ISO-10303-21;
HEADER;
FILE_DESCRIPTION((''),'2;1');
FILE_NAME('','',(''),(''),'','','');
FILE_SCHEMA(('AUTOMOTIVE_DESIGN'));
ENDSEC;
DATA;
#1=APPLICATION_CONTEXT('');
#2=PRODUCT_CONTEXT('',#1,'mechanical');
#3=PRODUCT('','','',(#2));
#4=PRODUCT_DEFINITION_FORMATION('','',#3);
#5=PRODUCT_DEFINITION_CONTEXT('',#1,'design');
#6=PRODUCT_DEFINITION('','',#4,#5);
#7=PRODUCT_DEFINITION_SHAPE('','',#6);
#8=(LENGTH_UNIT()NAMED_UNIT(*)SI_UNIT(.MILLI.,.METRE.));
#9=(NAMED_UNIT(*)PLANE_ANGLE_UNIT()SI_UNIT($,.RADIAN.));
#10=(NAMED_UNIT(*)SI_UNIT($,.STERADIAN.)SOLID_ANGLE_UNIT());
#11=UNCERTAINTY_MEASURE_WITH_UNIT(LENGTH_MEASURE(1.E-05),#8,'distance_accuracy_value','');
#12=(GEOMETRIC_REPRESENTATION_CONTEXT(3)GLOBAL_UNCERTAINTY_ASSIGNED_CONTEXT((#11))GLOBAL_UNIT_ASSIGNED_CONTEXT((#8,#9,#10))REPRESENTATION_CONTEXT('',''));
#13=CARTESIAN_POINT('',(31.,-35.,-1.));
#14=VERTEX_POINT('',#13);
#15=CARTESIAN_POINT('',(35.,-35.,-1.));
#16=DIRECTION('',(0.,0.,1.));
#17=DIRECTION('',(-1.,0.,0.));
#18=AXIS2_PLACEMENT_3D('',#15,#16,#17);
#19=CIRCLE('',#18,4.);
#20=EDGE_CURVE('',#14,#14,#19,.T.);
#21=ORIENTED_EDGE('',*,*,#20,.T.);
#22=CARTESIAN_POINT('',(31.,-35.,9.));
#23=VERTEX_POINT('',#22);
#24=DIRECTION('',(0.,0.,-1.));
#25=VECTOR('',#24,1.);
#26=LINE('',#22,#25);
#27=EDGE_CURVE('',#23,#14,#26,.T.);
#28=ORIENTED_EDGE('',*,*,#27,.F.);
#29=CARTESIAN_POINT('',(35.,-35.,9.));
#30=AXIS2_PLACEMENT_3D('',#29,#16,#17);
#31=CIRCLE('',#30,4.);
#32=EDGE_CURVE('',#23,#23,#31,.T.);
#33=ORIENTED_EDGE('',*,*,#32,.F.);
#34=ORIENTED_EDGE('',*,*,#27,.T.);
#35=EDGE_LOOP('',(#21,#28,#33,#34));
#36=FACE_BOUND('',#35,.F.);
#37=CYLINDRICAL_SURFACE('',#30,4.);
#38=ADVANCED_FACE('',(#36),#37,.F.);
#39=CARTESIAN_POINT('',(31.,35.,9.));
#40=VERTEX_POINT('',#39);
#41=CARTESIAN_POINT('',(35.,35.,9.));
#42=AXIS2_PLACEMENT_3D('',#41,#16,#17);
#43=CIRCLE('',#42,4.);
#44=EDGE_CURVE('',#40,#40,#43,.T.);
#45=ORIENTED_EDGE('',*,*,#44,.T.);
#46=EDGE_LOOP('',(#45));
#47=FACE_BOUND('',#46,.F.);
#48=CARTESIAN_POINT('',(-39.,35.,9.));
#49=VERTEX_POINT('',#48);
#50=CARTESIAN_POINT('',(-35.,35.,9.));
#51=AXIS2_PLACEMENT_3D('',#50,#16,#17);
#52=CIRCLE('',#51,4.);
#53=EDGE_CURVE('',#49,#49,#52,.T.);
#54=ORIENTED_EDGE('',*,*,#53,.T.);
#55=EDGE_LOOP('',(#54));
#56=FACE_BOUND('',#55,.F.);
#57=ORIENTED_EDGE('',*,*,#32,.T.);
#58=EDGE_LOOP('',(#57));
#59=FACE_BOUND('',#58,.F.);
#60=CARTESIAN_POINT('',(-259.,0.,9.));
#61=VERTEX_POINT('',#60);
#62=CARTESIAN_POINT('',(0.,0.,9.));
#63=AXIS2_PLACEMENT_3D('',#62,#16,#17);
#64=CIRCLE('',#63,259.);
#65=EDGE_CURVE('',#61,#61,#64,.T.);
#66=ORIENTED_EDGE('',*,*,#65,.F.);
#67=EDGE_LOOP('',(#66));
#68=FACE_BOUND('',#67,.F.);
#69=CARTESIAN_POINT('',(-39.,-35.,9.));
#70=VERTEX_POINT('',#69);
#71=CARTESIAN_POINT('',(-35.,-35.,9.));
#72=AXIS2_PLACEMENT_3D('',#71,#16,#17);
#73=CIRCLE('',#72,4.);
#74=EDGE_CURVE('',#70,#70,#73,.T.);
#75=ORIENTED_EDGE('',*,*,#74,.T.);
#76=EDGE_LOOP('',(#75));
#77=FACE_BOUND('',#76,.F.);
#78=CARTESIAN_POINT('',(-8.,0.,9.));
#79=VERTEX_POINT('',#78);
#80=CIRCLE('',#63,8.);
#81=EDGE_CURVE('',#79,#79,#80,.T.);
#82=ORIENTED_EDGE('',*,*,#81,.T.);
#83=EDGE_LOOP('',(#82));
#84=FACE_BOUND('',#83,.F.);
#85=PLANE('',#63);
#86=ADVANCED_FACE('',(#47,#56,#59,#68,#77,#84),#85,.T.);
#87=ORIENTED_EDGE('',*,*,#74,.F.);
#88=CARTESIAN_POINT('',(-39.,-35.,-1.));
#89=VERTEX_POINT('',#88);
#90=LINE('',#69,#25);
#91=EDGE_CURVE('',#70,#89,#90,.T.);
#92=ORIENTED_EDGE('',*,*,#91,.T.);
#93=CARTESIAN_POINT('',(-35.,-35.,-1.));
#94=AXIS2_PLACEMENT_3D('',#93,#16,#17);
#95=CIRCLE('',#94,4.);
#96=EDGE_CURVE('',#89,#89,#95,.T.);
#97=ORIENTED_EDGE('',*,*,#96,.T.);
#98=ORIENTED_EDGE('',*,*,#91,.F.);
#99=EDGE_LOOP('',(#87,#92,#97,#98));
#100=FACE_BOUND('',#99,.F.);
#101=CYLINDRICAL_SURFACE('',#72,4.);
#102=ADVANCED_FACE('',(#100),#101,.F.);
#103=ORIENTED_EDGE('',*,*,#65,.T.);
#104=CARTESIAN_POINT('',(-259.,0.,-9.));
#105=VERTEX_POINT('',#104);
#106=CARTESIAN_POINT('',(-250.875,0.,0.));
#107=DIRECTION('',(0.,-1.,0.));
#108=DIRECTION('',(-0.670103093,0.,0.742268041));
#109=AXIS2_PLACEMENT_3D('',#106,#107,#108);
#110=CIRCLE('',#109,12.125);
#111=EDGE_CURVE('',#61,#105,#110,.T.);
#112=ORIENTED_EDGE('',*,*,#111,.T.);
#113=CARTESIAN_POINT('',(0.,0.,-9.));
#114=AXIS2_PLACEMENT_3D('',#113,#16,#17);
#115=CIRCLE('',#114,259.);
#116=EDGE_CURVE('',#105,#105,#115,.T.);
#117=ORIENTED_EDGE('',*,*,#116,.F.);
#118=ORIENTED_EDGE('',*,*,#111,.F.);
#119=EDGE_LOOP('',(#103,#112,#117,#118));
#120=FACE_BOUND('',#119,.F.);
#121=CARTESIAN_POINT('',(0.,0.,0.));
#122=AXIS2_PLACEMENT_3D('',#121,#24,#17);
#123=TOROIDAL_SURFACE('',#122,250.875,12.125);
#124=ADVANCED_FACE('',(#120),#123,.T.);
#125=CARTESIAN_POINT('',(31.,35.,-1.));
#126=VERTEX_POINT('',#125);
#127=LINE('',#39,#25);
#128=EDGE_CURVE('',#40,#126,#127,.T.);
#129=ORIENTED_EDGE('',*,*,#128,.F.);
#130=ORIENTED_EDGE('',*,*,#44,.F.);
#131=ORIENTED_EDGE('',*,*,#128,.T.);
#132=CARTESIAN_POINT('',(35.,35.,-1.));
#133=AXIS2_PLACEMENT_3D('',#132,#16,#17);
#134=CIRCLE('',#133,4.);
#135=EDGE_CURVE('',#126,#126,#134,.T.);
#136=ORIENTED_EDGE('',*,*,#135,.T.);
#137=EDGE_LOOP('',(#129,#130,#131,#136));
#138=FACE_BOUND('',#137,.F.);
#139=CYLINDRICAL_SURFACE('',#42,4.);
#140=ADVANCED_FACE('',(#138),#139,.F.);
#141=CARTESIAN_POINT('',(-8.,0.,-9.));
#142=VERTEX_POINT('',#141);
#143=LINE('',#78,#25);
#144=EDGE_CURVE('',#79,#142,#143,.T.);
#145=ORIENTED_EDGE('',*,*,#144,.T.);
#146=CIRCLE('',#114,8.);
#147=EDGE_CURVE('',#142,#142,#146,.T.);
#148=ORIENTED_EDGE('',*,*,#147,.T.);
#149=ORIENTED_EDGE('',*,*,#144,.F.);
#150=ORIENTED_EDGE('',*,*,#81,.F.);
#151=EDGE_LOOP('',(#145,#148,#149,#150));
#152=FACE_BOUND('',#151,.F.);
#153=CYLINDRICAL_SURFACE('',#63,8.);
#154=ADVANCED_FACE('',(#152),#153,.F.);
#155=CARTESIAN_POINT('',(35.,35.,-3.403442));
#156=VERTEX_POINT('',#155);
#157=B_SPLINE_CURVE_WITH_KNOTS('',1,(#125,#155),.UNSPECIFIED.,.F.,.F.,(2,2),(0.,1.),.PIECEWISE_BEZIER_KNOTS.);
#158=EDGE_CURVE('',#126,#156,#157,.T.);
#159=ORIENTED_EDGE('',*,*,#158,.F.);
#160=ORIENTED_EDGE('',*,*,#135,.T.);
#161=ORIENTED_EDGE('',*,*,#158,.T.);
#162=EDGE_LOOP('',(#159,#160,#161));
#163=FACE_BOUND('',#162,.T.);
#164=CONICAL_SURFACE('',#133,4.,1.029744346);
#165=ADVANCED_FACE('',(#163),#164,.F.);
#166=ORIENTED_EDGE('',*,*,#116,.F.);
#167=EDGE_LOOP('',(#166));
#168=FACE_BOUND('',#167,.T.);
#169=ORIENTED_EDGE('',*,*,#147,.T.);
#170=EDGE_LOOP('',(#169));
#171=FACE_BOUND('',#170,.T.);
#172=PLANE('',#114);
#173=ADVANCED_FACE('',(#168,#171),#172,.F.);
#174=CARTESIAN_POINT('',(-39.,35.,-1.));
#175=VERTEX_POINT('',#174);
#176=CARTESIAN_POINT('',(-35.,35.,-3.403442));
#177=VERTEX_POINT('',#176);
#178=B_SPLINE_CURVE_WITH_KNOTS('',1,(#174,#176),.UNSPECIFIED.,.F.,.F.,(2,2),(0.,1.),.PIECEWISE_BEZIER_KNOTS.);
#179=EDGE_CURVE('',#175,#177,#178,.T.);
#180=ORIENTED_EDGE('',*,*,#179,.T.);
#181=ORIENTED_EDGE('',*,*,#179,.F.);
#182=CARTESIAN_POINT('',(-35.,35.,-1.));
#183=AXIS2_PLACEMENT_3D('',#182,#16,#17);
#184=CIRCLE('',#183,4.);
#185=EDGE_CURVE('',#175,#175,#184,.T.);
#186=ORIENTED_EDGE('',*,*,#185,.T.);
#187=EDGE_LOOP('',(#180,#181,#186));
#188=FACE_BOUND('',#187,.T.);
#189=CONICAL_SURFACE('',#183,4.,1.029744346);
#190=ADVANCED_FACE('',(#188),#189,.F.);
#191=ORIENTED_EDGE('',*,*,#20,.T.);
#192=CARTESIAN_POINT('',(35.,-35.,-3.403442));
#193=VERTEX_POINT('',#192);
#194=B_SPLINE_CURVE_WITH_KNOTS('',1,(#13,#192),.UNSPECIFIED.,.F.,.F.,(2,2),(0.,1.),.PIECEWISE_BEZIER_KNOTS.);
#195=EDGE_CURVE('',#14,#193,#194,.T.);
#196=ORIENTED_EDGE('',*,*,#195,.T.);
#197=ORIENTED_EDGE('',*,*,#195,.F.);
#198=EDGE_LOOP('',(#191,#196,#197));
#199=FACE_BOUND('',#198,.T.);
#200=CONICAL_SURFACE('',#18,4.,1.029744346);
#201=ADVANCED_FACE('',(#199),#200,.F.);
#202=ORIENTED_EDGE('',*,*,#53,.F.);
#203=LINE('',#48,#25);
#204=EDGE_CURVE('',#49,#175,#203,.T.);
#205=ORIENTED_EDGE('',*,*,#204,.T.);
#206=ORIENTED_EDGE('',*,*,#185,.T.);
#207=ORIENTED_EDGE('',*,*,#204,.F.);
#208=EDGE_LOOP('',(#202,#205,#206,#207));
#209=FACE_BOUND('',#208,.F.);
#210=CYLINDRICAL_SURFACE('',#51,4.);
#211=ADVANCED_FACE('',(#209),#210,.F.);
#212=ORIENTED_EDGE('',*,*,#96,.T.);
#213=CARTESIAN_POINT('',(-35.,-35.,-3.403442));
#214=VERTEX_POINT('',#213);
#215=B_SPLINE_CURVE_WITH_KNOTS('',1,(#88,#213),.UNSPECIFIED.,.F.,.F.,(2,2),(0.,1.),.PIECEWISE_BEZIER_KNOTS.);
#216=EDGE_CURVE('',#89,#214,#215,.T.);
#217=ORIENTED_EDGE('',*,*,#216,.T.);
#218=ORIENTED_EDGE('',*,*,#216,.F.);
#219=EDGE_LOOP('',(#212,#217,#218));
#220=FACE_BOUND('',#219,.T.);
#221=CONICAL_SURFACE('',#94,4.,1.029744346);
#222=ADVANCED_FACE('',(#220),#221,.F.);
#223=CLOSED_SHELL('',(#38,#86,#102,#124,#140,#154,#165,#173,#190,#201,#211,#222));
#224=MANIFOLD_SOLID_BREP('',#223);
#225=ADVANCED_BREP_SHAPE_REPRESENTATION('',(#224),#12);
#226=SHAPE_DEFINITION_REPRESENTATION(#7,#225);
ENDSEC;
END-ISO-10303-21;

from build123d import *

# Parameters (mm, degrees)
SKETCH008_R    = 8
HOLE005_DEPTH  = 25
SKETCH009_R    = 4
HOLE006_DEPTH  = 10
HOLE006_TIPS_R = 4


with BuildPart() as part:
    # Sketch007 → Revolution001 (revolve)
    with BuildSketch(Plane.XZ):
        with BuildLine():
            Line((0, 9), (-259, 9))
            ThreePointArc((-259, 9), (-263, 0), (-259, -9))
            Line((0, -9), (-259, -9))
            Line((0, 9), (0, -9))
        make_face()
    revolve(axis=Axis((0, 0, 0), (0, 0, 1)))

    # Sketch008 (on Face1 of Revolution001) → Hole005 (cut)
    with BuildSketch(Plane(origin=(0, 0, 9), x_dir=(-1, 0, 0), z_dir=(0, 0, 1))):
        Circle(SKETCH008_R)
    extrude(amount=-HOLE005_DEPTH, mode=Mode.SUBTRACT)

    # Sketch009 (on Face1 of Hole005) → Hole006 (cut)
    with BuildSketch(Plane(origin=(0, 0, 9), x_dir=(-1, 0, 0), z_dir=(0, 0, 1))):
        with Locations((-35, 35)):
            Circle(SKETCH009_R)
        with Locations((35, 35)):
            Circle(SKETCH009_R)
        with Locations((-35, -35)):
            Circle(SKETCH009_R)
        with Locations((35, -35)):
            Circle(SKETCH009_R)
    extrude(amount=-HOLE006_DEPTH, mode=Mode.SUBTRACT)

    # Hole006 tips → Hole006 tip 1 section 0
    with BuildSketch(Plane(origin=(0, 0, -1), x_dir=(-1, 0, 0), z_dir=(0, 0, 1)), mode=Mode.PRIVATE) as hole006_tip_1_s0:
        with Locations((-35, 35)):
            Circle(HOLE006_TIPS_R)
    loft([hole006_tip_1_s0.sketch, Vertex(35, -35, -3.403442)], mode=Mode.SUBTRACT)

    # Hole006 tips → Hole006 tip 2 section 0
    with BuildSketch(Plane(origin=(0, 0, -1), x_dir=(-1, 0, 0), z_dir=(0, 0, 1)), mode=Mode.PRIVATE) as hole006_tip_2_s0:
        with Locations((35, 35)):
            Circle(HOLE006_TIPS_R)
    loft([hole006_tip_2_s0.sketch, Vertex(-35, -35, -3.403442)], mode=Mode.SUBTRACT)

    # Hole006 tips → Hole006 tip 3 section 0
    with BuildSketch(Plane(origin=(0, 0, -1), x_dir=(-1, 0, 0), z_dir=(0, 0, 1)), mode=Mode.PRIVATE) as hole006_tip_3_s0:
        with Locations((-35, -35)):
            Circle(HOLE006_TIPS_R)
    loft([hole006_tip_3_s0.sketch, Vertex(35, 35, -3.403442)], mode=Mode.SUBTRACT)

    # Hole006 tips → Hole006 tip 4 section 0
    with BuildSketch(Plane(origin=(0, 0, -1), x_dir=(-1, 0, 0), z_dir=(0, 0, 1)), mode=Mode.PRIVATE) as hole006_tip_4_s0:
        with Locations((35, -35)):
            Circle(HOLE006_TIPS_R)
    loft([hole006_tip_4_s0.sketch, Vertex(-35, 35, -3.403442)], mode=Mode.SUBTRACT)


solid = part.part
